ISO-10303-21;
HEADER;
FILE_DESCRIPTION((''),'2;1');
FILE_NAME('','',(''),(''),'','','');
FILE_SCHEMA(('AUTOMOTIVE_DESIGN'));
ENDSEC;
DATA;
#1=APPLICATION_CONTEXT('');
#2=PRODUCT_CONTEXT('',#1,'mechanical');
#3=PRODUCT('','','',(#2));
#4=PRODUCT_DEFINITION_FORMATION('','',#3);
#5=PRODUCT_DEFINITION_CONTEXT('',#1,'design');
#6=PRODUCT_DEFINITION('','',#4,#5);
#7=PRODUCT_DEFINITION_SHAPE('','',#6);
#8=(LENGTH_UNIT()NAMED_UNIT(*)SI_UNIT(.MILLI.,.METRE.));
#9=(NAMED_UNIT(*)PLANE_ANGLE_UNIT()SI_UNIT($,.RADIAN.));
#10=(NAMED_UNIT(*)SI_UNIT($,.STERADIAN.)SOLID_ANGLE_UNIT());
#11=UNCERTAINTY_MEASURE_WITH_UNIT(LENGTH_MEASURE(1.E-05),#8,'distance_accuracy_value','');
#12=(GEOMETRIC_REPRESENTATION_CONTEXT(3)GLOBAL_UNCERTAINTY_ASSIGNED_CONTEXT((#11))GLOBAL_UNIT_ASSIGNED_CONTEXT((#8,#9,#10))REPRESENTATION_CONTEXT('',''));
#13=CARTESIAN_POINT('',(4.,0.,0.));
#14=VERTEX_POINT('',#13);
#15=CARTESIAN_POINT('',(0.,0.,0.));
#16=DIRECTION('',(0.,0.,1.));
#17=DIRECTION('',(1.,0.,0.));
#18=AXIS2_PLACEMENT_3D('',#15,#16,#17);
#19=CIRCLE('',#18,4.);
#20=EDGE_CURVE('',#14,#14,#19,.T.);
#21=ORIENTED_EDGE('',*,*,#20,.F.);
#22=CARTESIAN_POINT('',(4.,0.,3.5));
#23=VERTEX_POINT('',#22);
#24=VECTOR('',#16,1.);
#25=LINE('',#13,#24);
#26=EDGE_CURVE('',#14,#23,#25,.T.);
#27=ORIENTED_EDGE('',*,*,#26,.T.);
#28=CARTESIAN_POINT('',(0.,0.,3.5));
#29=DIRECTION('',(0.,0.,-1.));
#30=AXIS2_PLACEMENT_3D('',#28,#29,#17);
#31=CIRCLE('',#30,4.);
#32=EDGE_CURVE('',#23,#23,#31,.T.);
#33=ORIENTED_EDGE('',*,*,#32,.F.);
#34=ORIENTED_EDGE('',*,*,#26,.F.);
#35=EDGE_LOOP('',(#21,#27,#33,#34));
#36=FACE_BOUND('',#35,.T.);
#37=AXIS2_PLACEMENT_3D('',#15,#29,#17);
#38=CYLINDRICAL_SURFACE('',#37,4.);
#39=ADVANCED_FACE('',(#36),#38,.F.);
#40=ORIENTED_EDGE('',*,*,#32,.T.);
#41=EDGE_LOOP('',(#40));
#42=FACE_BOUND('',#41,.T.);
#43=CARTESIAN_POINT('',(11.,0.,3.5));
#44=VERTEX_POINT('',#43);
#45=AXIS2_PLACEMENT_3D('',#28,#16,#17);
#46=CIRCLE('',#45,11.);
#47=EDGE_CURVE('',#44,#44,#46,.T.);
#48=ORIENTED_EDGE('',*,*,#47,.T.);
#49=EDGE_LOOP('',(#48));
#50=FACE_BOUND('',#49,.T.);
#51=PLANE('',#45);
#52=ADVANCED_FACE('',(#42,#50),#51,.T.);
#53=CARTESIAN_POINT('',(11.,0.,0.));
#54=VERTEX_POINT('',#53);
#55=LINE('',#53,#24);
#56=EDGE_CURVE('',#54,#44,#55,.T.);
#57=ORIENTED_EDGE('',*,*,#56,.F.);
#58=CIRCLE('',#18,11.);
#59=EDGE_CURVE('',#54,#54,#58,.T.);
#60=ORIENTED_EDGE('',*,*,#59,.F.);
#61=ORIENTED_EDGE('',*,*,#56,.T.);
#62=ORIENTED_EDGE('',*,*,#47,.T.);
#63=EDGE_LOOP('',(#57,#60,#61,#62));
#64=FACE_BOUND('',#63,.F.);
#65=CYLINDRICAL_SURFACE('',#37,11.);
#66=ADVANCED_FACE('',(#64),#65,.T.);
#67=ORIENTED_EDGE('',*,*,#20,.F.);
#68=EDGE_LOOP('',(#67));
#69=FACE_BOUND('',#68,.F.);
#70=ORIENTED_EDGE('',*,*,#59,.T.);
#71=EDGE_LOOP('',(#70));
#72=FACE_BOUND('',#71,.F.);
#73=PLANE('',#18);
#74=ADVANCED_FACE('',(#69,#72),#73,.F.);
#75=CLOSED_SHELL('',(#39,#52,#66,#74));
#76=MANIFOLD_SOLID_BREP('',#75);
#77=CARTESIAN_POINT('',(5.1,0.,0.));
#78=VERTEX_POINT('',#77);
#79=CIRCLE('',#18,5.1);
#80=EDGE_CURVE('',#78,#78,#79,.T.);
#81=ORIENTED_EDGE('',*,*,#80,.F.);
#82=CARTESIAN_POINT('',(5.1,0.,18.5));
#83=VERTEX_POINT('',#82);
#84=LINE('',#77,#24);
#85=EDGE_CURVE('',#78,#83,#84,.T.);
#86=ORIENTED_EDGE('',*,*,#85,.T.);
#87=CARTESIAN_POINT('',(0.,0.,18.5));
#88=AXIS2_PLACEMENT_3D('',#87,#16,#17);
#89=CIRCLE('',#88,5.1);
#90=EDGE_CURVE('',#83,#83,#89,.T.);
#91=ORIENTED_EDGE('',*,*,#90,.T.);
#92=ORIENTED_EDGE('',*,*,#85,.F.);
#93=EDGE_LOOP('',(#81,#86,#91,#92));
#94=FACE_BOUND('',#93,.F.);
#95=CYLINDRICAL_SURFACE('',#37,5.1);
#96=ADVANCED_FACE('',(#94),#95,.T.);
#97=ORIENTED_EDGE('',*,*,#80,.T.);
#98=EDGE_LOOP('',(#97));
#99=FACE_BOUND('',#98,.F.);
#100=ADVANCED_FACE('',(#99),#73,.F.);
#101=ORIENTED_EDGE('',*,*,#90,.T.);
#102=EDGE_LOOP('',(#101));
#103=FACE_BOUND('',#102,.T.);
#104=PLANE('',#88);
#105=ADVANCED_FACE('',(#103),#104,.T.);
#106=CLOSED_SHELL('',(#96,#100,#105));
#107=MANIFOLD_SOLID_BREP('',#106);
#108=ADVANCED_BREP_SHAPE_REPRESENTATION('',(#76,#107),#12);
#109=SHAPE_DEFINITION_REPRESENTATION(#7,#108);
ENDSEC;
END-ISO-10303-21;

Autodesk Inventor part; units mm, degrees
ref_plane "YZ Plane" through (0, 0, 0) normal (1, 0, 0) x (0, 1, 0)
ref_plane "XZ Plane" through (0, 0, 0) normal (0, 1, 0) x (-1, 0, 0)
ref_plane "XY Plane" through (0, 0, 0) normal (0, 0, 1) x (1, 0, 0)
sketch "Skizze1" plane through (0, 0, 0) normal (0, 0, 1) x (1, 0, 0)
  circle A0 centre (0, 0) radius 11
extrude "Extrusion1" add sketch "Skizze1" along normal blind 3.5
sketch "Skizze2" plane through (0, 0, 0) normal (0, 0, 1) x (1, 0, 0)
  circle A0 centre (0, 0) radius 5.1
extrude "Extrusion2" add sketch "Skizze2" along normal blind 18.5 separate body
sketch "Skizze3" plane through (0, 0, 0) normal (0, 0, 1) x (1, 0, 0)
  circle A0 centre (0, 0) radius 4
extrude "Extrusion3" cut sketch "Skizze3" along normal blind 19 bodies 1
properties part number "T8_Mutter"
